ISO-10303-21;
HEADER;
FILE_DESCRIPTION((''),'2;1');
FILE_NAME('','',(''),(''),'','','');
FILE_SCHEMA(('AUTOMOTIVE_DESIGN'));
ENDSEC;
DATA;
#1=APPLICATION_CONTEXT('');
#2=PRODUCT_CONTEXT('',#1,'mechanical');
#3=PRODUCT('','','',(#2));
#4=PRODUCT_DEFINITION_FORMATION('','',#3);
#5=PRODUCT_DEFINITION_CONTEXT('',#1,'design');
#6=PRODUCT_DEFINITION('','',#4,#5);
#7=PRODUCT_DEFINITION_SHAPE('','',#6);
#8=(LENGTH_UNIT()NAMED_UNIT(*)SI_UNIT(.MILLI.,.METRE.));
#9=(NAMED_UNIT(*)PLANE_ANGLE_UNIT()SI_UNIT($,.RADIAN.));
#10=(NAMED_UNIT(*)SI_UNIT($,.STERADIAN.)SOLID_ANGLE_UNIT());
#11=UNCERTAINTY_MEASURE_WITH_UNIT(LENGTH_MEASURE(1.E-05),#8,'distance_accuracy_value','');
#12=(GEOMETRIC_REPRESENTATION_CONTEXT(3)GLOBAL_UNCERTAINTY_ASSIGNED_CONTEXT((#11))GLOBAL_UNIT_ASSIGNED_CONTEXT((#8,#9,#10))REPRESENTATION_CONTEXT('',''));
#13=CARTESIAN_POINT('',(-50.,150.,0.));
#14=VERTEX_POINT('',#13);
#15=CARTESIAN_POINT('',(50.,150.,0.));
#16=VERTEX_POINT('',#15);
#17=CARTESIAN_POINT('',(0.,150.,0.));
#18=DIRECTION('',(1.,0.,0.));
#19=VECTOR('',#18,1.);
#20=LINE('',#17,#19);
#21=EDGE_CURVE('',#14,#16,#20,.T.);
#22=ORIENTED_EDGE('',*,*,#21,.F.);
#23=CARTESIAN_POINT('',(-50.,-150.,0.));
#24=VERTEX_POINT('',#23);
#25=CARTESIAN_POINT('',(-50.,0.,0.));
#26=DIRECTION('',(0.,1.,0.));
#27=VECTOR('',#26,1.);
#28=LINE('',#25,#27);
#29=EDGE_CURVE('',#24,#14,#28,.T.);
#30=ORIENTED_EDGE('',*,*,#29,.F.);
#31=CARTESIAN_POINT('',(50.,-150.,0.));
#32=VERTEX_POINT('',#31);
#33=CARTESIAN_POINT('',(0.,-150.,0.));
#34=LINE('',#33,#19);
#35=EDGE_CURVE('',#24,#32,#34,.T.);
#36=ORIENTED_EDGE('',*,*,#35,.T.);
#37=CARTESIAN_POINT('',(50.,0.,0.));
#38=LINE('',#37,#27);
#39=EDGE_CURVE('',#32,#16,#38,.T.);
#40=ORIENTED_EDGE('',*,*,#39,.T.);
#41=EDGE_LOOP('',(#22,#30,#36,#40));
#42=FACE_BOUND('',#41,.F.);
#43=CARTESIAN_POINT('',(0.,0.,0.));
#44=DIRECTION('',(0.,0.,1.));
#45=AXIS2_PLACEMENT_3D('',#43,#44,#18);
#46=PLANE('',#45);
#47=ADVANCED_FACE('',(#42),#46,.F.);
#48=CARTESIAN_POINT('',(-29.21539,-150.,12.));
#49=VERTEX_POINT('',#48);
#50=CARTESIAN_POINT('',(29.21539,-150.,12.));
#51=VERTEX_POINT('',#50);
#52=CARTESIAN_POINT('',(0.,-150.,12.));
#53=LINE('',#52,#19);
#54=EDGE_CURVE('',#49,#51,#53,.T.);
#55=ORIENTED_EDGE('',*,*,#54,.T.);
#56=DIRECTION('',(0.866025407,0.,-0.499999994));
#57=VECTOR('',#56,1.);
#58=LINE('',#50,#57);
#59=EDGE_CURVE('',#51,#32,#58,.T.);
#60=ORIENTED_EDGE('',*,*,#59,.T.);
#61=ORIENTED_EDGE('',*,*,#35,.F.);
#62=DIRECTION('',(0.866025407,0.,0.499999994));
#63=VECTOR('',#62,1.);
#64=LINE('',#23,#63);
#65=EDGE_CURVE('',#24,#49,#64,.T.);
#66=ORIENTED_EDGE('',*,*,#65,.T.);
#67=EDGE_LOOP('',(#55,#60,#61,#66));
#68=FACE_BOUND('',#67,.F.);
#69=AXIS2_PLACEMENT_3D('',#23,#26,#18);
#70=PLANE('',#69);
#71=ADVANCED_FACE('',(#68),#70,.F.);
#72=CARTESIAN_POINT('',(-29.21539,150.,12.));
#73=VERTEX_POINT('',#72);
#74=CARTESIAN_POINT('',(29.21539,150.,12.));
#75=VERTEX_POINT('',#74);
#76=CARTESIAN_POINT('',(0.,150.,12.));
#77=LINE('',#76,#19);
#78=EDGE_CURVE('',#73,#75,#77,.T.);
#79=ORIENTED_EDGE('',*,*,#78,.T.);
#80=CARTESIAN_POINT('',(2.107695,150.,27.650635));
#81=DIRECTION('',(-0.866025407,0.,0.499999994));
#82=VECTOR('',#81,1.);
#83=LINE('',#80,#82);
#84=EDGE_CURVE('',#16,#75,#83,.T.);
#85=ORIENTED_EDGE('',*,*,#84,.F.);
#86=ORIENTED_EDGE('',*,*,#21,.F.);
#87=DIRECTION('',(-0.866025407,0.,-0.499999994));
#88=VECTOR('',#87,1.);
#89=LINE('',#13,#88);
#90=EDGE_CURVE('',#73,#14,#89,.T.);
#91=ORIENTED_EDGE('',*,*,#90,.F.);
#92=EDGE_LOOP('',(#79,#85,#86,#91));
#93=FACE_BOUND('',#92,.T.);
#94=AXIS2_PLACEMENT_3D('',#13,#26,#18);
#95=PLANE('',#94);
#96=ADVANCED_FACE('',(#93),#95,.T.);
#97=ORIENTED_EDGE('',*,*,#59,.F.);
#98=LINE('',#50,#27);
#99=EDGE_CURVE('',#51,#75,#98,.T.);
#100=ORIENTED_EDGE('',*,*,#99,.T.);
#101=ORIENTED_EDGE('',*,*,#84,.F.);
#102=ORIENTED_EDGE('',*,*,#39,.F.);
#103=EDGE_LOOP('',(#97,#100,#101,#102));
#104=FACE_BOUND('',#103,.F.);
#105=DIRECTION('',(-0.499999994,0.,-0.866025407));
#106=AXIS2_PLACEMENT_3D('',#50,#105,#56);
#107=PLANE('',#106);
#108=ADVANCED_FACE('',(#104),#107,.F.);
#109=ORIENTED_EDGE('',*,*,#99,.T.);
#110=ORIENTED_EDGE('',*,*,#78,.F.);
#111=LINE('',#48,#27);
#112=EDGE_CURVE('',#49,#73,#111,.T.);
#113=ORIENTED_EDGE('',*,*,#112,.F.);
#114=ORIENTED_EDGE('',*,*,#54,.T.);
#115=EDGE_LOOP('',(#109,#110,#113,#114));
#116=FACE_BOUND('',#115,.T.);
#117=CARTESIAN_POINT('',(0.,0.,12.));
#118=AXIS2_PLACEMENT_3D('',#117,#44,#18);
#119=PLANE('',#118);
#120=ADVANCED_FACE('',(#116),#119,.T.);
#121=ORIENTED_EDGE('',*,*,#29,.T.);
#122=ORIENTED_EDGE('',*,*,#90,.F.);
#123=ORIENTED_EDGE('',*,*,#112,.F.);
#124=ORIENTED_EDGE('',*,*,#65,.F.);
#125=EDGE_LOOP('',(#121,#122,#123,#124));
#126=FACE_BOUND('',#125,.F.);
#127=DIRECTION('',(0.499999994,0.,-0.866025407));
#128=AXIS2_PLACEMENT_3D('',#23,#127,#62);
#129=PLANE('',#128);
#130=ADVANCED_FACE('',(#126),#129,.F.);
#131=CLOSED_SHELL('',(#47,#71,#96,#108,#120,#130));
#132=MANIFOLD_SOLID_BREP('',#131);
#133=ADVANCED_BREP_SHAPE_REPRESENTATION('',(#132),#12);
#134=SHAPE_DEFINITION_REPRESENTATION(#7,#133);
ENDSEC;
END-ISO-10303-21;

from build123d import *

# Parameters (mm, degrees)
F0_W     = 100
F0_H     = 300
F1_DEPTH = 12
F3_DEPTH = 300.001


with BuildPart() as f1:
    # F0 (on Top) → F1 (new body)
    with BuildSketch(Plane.XY):
        Rectangle(F0_W, F0_H)
    extrude(amount=F1_DEPTH)

    # F2 (on face) → F3 (cut, through all)
    with BuildSketch(Plane.XZ.offset(150)):
        Polygon((50, 0), (50, 12), (29.21539, 12), align=None)
        Polygon((-29.21539, 12), (-50, 12), (-50, 0), align=None)
    extrude(amount=-F3_DEPTH, mode=Mode.SUBTRACT)


solid = f1.part
